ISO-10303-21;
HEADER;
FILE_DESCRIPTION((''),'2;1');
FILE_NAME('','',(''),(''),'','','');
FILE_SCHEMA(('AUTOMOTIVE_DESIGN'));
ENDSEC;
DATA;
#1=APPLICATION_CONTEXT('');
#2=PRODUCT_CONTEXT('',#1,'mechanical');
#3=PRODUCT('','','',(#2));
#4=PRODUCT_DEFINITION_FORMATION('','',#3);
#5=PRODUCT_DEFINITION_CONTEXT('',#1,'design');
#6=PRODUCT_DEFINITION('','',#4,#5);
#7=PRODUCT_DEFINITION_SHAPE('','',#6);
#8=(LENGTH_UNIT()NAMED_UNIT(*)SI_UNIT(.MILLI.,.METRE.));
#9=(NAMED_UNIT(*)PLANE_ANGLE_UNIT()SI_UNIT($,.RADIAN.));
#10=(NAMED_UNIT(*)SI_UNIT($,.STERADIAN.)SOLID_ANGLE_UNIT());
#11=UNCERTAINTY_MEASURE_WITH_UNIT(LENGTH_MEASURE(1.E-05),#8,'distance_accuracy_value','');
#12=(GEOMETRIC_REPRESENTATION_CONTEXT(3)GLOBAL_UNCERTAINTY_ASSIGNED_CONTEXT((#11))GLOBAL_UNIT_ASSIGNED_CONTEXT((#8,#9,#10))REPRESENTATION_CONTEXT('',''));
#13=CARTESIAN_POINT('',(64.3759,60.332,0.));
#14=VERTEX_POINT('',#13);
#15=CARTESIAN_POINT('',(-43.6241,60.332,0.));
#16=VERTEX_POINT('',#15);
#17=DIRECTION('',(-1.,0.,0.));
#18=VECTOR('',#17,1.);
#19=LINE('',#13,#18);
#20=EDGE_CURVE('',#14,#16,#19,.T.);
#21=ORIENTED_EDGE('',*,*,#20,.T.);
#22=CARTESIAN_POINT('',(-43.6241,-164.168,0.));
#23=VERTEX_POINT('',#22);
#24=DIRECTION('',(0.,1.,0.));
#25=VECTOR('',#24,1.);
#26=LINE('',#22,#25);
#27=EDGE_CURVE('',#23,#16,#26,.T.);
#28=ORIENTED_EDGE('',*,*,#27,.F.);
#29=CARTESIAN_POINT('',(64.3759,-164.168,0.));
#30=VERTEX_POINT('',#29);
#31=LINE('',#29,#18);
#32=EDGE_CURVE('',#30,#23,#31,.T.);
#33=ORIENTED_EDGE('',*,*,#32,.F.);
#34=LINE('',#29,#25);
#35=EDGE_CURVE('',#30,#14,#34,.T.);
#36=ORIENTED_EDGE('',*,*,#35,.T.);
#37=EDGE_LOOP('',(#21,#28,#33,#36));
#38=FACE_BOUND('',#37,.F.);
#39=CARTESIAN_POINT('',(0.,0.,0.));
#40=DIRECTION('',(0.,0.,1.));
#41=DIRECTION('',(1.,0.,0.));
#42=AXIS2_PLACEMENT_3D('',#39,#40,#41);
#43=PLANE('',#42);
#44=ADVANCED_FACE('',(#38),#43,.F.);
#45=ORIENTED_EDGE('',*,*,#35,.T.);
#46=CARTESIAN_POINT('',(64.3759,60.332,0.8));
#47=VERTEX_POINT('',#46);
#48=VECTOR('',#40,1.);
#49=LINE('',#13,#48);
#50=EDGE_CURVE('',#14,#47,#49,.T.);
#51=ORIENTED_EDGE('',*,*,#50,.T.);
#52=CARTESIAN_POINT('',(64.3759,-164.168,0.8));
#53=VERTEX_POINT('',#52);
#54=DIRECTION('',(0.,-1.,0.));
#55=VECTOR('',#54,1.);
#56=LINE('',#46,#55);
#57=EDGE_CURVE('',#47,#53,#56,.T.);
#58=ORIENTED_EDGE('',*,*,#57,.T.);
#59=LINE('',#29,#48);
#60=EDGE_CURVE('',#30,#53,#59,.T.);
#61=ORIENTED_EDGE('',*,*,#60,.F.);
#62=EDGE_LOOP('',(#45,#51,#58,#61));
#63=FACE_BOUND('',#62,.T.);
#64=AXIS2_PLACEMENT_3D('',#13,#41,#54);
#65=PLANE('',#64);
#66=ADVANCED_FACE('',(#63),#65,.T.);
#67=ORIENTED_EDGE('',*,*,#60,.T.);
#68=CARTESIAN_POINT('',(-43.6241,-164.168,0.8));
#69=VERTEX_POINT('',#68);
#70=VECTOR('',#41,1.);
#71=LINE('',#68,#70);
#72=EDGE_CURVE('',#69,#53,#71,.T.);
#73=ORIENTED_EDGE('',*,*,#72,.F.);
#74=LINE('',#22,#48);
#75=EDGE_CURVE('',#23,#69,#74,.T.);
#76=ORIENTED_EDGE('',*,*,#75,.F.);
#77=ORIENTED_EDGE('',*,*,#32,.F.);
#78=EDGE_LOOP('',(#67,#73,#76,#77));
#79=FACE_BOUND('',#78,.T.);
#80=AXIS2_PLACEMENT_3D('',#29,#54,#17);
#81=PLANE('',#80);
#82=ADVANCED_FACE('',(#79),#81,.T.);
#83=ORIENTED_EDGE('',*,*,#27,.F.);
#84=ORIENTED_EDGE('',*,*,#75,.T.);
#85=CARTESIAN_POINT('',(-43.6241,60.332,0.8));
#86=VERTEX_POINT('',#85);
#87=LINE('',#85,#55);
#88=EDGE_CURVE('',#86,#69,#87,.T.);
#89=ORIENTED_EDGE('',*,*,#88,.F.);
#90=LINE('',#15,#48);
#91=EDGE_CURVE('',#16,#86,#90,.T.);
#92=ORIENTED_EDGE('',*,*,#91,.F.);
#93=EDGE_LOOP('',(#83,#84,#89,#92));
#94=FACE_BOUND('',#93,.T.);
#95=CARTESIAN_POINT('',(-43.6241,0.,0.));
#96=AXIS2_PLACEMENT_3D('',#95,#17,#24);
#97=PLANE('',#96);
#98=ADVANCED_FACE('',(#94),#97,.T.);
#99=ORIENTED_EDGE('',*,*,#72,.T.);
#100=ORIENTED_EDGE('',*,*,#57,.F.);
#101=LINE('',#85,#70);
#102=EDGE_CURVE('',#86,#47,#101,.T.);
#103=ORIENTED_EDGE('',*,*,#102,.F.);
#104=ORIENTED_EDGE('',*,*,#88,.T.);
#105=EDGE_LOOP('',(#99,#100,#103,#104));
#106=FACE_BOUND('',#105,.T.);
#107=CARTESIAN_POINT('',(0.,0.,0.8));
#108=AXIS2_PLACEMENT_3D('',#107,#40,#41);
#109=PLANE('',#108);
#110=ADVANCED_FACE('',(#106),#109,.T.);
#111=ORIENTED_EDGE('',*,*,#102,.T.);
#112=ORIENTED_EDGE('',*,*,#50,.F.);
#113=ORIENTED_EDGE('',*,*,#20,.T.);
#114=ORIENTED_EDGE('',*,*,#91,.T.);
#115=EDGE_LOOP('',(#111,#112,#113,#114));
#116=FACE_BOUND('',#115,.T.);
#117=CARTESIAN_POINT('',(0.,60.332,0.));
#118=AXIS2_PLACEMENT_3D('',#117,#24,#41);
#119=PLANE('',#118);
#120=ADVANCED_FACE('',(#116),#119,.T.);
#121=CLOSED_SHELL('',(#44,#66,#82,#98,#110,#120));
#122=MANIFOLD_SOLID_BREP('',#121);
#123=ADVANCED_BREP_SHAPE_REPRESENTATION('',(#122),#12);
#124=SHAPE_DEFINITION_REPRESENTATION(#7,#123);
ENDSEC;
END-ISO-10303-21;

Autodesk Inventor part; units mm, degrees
ref_plane "YZ Plane" through (0, 0, 0) normal (1, 0, 0) x (0, 1, 0)
ref_plane "XZ Plane" through (0, 0, 0) normal (0, 1, 0) x (-1, 0, 0)
ref_plane "XY Plane" through (0, 0, 0) normal (0, 0, 1) x (1, 0, 0)
sketch "Skizze1" plane through (0, 0, 0) normal (0, 0, 1) x (1, 0, 0)
  line L0 (0, 105.232) -> (0, -209.068) projected
  line L1 (-65.2241, 0) -> (85.9759, 0) projected
  line L2 (-43.6241, 60.332) -> (64.3759, 60.332)
  line L3 (64.3759, 60.332) -> (64.3759, -164.168)
  line L4 (64.3759, -164.168) -> (-43.6241, -164.168)
  line L5 (-43.6241, -164.168) -> (-43.6241, 60.332)
  point P0 (0, 0)
  dimension "d0" = 108
  dimension "d1" = 224.5
extrude "Extrusion1" add sketch "Skizze1" along normal blind 0.8
properties part number "Boden2" material "Stainless Steel"
